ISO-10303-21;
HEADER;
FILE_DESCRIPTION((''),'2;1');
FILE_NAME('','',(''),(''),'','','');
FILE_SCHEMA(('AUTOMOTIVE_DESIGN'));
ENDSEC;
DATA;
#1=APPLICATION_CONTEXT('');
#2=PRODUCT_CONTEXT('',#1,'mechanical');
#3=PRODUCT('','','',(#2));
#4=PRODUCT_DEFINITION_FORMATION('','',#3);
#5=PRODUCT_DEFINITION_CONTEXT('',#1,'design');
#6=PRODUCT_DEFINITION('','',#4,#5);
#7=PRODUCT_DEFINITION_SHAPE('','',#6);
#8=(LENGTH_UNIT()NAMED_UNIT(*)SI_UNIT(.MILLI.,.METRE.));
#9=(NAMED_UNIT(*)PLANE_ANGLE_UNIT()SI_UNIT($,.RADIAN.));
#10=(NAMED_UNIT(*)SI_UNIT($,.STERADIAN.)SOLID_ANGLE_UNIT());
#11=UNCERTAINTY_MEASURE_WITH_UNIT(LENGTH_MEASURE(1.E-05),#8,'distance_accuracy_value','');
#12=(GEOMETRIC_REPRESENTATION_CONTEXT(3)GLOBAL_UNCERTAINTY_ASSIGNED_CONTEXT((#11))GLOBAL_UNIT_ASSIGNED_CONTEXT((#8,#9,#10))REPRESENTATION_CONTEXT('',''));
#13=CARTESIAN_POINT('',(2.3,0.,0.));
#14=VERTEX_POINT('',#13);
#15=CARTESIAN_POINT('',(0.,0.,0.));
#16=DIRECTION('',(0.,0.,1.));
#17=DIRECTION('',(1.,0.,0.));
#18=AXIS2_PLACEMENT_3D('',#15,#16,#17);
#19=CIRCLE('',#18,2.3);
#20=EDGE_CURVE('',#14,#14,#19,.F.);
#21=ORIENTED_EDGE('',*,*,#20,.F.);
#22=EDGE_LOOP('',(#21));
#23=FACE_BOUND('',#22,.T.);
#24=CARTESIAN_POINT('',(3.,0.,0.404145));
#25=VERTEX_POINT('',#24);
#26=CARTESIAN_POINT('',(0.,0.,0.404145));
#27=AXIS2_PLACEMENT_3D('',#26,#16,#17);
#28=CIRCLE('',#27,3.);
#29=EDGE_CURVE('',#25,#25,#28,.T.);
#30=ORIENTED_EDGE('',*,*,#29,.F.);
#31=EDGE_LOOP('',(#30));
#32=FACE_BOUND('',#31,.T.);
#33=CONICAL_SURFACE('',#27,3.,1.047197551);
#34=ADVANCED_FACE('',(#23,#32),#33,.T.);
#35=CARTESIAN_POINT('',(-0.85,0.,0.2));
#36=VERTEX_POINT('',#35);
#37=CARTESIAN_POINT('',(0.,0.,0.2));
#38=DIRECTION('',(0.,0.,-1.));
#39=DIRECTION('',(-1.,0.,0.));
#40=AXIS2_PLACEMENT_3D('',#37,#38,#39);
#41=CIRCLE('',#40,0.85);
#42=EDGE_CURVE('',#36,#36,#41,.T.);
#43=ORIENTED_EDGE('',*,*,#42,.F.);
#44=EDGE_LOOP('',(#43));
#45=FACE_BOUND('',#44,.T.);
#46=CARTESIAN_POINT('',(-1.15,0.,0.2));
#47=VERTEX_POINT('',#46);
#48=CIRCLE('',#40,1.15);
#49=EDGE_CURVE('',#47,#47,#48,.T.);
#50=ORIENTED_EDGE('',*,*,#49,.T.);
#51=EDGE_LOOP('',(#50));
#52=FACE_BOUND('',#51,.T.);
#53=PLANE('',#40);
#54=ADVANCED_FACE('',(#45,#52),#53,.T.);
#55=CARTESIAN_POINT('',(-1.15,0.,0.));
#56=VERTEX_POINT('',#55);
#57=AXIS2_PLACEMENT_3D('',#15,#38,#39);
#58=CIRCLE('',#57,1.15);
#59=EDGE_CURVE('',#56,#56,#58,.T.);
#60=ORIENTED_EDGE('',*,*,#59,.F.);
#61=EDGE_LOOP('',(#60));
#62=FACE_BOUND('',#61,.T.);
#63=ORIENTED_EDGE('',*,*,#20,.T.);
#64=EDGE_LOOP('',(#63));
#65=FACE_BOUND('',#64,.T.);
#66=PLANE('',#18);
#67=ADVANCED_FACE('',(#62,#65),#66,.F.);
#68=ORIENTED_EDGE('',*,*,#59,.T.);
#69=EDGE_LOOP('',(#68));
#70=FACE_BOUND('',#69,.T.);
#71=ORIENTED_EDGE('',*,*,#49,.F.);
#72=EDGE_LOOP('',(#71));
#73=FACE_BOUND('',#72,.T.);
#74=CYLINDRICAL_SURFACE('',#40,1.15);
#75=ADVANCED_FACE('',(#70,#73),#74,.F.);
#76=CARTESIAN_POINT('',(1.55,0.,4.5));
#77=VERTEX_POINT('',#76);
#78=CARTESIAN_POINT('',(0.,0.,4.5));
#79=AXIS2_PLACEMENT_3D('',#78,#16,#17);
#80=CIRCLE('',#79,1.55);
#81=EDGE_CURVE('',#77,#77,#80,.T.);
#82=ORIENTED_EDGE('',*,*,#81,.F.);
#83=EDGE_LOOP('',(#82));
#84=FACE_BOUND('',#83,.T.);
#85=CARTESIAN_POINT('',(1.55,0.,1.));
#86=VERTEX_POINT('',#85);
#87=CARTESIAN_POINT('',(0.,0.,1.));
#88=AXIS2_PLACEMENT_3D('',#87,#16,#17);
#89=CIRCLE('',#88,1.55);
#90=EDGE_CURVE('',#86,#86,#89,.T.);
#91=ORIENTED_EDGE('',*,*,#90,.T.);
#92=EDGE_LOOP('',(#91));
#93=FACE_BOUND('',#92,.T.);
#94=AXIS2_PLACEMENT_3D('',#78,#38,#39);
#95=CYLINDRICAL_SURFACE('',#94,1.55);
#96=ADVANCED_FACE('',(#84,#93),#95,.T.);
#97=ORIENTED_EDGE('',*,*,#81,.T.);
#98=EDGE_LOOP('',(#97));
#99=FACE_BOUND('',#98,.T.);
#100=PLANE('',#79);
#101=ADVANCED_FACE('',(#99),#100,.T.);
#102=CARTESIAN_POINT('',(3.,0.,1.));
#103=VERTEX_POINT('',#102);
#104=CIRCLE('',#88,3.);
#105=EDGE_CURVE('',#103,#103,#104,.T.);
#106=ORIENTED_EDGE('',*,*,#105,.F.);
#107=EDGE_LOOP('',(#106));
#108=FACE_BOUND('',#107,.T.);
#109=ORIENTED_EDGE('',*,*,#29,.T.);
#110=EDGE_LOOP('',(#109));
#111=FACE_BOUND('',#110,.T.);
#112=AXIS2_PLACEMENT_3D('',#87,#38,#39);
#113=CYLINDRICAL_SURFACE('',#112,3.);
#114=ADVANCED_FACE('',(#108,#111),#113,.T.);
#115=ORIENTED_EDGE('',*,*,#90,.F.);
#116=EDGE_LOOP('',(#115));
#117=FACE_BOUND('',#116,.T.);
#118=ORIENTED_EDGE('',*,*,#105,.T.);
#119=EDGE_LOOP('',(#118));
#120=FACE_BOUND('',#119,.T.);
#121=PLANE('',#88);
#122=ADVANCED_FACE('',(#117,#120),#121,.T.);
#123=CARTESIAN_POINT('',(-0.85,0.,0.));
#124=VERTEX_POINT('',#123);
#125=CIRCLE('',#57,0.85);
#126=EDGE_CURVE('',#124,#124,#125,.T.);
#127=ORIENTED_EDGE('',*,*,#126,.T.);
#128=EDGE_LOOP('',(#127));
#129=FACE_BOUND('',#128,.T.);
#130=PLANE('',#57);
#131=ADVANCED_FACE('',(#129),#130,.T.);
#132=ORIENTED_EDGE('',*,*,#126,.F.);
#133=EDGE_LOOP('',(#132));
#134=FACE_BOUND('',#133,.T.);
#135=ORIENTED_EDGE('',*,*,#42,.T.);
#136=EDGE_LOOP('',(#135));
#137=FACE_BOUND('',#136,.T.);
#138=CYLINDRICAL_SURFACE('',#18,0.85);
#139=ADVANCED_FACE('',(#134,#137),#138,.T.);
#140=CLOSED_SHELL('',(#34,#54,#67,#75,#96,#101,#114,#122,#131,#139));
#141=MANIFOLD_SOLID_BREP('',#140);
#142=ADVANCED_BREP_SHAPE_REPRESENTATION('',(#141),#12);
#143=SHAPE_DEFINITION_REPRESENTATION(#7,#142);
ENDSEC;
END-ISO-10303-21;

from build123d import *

# Parameters (mm, degrees)
SKETCH1_R           = 3
BOSS_EXTRUDE1_DEPTH = 1
SKETCH2_R           = 1.55
BOSS_EXTRUDE2_DEPTH = 3.5
CHAMFER1_SIZE       = 0.7
CHAMFER1_SIZE2      = 0.404145188
SKETCH3_R           = 1.15
CUT_EXTRUDE1_DEPTH  = 0.2
SKETCH4_R           = 0.85
BOSS_EXTRUDE3_DEPTH = 0.2


with BuildPart() as part:
    # Sketch1 → Boss-Extrude1 (new body)
    with BuildSketch(Plane.XY):
        Circle(SKETCH1_R)
    extrude(amount=BOSS_EXTRUDE1_DEPTH)

    # Sketch2 → Boss-Extrude2 (add)
    with BuildSketch(Plane.XY.offset(1)):
        Circle(SKETCH2_R)
    extrude(amount=BOSS_EXTRUDE2_DEPTH)

    # Chamfer1
    chamfer1_edges = [part.edges().sort_by_distance(p)[0] for p in [
        (-3, 0, 0),
    ]]
    chamfer1_side = [part.faces().sort_by_distance(p)[0] for p in [
        (0, 0, 0),
    ]]
    chamfer(chamfer1_edges, length=CHAMFER1_SIZE, length2=CHAMFER1_SIZE2, reference=chamfer1_side[0])

    # Sketch3 → Cut-Extrude1 (cut)
    with BuildSketch(Plane(origin=(0, 0, 0), x_dir=(-1, 0, 0), z_dir=(0, 0, -1))):
        Circle(SKETCH3_R)
    extrude(amount=-CUT_EXTRUDE1_DEPTH, mode=Mode.SUBTRACT)

    # Sketch4 → Boss-Extrude3 (add)
    with BuildSketch(Plane(origin=(0, 0, 0.2), x_dir=(-1, 0, 0), z_dir=(0, 0, -1))):
        Circle(SKETCH4_R)
    extrude(amount=BOSS_EXTRUDE3_DEPTH)


solid = part.part
